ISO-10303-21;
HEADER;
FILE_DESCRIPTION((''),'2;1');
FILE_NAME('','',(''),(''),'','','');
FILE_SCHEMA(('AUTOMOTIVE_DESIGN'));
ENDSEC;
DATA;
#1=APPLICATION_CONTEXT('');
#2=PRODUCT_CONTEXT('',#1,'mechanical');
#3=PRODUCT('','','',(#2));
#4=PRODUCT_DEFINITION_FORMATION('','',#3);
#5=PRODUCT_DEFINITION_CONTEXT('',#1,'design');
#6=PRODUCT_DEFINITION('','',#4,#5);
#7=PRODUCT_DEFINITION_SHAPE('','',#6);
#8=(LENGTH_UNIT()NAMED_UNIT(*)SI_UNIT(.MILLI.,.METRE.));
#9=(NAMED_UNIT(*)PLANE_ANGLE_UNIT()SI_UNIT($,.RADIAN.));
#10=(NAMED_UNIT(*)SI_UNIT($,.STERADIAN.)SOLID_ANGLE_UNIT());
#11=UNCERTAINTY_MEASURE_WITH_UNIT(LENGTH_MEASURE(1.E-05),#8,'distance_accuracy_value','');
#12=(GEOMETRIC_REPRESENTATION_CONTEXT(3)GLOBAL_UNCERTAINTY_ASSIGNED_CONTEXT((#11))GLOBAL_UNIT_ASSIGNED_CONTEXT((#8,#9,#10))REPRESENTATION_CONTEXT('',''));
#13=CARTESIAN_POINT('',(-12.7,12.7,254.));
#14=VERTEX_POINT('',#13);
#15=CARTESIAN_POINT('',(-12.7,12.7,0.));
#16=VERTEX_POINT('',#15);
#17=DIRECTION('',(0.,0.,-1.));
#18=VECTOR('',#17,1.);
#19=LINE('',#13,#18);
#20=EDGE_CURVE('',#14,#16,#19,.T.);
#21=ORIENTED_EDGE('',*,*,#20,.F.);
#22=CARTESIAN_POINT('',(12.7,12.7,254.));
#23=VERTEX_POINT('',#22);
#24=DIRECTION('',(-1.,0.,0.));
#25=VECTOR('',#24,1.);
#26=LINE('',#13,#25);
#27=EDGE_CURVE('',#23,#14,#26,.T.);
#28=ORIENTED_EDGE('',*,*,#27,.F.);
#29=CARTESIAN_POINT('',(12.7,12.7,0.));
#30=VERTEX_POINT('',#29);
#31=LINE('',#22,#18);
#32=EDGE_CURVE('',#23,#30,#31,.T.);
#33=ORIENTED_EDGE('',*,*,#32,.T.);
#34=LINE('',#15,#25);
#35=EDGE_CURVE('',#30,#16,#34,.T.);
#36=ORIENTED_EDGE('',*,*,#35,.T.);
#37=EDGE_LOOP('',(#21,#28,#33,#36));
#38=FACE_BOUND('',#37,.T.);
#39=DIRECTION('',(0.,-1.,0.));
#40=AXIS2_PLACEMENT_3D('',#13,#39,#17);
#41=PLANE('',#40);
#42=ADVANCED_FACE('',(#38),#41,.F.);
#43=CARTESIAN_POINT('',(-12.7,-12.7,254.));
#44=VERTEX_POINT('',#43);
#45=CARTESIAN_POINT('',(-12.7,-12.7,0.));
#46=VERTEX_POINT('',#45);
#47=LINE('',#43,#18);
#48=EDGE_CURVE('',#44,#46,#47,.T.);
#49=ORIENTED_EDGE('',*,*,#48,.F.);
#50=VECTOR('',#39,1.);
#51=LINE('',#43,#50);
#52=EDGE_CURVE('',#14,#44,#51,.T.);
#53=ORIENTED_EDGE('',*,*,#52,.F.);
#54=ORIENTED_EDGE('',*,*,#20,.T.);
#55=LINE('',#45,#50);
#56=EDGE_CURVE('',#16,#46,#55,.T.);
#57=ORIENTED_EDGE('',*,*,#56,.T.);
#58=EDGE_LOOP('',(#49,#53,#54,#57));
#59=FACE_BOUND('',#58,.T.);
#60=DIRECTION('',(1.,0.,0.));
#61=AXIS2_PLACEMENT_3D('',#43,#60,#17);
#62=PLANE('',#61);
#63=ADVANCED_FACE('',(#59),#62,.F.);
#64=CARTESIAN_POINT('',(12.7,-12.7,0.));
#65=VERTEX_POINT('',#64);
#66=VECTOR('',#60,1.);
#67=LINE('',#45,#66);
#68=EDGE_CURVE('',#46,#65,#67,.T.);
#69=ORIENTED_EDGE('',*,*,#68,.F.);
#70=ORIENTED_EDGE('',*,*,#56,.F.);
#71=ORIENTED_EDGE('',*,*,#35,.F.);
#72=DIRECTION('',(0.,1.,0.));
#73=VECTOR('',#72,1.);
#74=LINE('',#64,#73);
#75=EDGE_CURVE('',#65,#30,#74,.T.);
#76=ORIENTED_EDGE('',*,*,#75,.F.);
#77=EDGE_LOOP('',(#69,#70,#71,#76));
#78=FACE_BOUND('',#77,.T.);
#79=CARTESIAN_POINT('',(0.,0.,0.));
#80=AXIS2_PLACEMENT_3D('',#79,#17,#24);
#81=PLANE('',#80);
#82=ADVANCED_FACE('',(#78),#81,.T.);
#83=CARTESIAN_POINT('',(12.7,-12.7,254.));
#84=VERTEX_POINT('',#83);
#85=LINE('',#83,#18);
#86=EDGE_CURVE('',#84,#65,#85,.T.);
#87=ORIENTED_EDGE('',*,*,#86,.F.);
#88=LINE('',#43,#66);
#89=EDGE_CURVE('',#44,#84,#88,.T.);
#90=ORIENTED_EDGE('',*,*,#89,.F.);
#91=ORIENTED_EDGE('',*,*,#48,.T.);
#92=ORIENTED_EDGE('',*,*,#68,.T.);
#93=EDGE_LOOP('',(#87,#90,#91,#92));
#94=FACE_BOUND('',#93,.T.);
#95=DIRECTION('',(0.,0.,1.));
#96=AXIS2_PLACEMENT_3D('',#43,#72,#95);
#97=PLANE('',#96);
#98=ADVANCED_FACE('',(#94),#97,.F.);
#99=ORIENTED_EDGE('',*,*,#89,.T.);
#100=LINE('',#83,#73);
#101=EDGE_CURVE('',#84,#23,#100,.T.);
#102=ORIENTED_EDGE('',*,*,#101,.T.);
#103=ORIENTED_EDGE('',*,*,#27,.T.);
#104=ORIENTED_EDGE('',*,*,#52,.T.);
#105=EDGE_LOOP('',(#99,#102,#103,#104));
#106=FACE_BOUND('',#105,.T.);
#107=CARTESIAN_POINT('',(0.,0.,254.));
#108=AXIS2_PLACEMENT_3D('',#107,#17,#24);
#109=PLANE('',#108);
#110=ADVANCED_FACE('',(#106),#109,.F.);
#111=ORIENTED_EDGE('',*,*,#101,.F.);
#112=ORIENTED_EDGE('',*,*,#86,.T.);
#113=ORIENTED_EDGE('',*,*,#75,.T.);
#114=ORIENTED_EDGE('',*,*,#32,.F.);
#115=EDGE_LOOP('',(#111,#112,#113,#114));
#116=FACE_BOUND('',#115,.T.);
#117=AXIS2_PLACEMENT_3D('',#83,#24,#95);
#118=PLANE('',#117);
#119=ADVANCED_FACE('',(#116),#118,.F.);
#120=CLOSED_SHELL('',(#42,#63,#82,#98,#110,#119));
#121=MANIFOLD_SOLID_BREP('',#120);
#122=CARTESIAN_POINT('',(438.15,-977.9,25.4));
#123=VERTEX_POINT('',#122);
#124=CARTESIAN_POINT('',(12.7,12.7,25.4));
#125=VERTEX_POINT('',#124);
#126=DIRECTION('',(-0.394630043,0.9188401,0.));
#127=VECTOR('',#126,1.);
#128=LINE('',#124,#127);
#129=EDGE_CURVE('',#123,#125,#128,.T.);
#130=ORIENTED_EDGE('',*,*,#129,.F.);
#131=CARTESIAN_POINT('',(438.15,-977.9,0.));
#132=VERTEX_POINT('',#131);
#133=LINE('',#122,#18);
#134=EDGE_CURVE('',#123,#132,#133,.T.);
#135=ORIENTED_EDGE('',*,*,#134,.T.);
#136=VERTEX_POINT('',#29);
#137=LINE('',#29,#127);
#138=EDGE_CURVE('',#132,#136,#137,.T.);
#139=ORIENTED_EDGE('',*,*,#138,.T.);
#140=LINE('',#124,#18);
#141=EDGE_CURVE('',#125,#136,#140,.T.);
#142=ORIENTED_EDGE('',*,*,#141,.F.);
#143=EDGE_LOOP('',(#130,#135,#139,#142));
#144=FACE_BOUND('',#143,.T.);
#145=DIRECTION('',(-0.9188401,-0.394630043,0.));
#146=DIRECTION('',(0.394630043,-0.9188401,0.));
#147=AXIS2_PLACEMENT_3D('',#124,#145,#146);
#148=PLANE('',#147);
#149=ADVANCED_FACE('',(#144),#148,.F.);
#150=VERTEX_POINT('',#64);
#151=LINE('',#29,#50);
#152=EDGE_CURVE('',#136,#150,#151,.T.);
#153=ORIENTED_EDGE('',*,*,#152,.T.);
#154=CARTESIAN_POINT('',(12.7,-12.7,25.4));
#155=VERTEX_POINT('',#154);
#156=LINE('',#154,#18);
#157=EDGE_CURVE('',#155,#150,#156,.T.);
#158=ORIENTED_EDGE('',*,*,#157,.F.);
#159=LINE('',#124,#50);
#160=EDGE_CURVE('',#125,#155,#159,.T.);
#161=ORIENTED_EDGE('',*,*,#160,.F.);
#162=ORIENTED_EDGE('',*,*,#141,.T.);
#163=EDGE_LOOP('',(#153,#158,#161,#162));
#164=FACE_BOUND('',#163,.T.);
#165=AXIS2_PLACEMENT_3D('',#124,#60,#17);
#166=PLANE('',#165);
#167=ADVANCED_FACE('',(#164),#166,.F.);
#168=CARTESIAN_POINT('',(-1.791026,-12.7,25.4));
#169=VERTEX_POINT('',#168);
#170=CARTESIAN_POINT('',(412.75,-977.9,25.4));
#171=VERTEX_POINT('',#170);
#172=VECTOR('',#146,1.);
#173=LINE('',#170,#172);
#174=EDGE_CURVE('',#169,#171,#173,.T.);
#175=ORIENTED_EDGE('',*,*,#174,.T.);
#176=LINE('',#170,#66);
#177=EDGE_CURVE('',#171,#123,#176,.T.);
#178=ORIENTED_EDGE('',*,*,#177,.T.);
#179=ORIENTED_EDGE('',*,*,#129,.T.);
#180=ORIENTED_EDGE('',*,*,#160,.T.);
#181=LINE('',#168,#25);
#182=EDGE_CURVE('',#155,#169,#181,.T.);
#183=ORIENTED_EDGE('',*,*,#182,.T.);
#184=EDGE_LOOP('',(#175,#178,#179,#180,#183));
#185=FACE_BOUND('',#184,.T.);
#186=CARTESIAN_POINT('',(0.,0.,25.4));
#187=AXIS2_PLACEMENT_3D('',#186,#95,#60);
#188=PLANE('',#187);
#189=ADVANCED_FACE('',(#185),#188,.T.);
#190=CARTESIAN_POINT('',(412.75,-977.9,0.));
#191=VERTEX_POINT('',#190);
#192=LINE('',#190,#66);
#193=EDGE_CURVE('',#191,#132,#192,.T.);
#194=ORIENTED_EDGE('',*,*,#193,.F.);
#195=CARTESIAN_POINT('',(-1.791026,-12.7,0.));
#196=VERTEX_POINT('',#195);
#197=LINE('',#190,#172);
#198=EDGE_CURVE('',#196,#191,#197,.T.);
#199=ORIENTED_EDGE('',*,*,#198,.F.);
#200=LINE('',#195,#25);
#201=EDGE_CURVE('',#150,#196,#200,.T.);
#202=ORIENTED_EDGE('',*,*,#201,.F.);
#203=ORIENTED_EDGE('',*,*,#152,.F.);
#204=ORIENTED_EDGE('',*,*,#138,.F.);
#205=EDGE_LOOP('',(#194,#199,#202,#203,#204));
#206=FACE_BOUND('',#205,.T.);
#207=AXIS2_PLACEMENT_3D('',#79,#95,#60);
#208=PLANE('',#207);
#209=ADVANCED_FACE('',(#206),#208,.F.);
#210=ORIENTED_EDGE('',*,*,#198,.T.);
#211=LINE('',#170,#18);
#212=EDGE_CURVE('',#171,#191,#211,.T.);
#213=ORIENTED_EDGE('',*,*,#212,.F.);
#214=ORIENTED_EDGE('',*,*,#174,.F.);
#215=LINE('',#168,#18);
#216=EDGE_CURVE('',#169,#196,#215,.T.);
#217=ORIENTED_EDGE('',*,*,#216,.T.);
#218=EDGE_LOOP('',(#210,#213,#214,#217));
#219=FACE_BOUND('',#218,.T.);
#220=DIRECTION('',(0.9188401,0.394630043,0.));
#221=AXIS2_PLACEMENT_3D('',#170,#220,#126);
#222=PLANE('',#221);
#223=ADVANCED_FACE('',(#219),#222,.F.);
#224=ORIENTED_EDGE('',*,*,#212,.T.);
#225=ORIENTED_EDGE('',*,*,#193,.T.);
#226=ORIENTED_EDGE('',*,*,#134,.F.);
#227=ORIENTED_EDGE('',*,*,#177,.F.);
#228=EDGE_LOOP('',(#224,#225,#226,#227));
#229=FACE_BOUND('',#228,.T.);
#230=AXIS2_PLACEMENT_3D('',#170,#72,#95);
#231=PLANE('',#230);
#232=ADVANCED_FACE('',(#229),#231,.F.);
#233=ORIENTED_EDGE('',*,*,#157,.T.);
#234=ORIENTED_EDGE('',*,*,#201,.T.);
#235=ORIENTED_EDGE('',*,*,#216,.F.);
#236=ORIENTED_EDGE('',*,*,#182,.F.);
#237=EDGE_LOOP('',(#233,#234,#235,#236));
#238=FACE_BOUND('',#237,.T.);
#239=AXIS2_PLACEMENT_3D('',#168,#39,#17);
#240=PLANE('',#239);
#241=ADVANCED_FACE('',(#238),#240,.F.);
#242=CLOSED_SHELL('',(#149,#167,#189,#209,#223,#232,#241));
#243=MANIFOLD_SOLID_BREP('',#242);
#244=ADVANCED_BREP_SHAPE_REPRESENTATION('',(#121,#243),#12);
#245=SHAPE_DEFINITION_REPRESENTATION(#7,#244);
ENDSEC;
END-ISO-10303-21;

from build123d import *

# Parameters (mm, degrees)
SKETCH1_W           = 25.4
SKETCH1_H           = 25.4
BOSS_EXTRUDE1_DEPTH = 254
BOSS_EXTRUDE2_DEPTH = 25.4


with BuildPart() as part:
    # Sketch1 → Boss-Extrude1 (new body)
    with BuildSketch(Plane.XY):
        Rectangle(SKETCH1_W, SKETCH1_H)
    extrude(amount=BOSS_EXTRUDE1_DEPTH)


with BuildPart() as body_2:
    # Sketch2 → Boss-Extrude2 (new body)
    with BuildSketch(Plane.XY):
        Polygon((12.7, 12.7), (438.15, -977.9), (412.75, -977.9), (-1.791025641, -12.7), (12.7, -12.7), align=None)
    extrude(amount=BOSS_EXTRUDE2_DEPTH)


solid = Compound([part.part, body_2.part])
